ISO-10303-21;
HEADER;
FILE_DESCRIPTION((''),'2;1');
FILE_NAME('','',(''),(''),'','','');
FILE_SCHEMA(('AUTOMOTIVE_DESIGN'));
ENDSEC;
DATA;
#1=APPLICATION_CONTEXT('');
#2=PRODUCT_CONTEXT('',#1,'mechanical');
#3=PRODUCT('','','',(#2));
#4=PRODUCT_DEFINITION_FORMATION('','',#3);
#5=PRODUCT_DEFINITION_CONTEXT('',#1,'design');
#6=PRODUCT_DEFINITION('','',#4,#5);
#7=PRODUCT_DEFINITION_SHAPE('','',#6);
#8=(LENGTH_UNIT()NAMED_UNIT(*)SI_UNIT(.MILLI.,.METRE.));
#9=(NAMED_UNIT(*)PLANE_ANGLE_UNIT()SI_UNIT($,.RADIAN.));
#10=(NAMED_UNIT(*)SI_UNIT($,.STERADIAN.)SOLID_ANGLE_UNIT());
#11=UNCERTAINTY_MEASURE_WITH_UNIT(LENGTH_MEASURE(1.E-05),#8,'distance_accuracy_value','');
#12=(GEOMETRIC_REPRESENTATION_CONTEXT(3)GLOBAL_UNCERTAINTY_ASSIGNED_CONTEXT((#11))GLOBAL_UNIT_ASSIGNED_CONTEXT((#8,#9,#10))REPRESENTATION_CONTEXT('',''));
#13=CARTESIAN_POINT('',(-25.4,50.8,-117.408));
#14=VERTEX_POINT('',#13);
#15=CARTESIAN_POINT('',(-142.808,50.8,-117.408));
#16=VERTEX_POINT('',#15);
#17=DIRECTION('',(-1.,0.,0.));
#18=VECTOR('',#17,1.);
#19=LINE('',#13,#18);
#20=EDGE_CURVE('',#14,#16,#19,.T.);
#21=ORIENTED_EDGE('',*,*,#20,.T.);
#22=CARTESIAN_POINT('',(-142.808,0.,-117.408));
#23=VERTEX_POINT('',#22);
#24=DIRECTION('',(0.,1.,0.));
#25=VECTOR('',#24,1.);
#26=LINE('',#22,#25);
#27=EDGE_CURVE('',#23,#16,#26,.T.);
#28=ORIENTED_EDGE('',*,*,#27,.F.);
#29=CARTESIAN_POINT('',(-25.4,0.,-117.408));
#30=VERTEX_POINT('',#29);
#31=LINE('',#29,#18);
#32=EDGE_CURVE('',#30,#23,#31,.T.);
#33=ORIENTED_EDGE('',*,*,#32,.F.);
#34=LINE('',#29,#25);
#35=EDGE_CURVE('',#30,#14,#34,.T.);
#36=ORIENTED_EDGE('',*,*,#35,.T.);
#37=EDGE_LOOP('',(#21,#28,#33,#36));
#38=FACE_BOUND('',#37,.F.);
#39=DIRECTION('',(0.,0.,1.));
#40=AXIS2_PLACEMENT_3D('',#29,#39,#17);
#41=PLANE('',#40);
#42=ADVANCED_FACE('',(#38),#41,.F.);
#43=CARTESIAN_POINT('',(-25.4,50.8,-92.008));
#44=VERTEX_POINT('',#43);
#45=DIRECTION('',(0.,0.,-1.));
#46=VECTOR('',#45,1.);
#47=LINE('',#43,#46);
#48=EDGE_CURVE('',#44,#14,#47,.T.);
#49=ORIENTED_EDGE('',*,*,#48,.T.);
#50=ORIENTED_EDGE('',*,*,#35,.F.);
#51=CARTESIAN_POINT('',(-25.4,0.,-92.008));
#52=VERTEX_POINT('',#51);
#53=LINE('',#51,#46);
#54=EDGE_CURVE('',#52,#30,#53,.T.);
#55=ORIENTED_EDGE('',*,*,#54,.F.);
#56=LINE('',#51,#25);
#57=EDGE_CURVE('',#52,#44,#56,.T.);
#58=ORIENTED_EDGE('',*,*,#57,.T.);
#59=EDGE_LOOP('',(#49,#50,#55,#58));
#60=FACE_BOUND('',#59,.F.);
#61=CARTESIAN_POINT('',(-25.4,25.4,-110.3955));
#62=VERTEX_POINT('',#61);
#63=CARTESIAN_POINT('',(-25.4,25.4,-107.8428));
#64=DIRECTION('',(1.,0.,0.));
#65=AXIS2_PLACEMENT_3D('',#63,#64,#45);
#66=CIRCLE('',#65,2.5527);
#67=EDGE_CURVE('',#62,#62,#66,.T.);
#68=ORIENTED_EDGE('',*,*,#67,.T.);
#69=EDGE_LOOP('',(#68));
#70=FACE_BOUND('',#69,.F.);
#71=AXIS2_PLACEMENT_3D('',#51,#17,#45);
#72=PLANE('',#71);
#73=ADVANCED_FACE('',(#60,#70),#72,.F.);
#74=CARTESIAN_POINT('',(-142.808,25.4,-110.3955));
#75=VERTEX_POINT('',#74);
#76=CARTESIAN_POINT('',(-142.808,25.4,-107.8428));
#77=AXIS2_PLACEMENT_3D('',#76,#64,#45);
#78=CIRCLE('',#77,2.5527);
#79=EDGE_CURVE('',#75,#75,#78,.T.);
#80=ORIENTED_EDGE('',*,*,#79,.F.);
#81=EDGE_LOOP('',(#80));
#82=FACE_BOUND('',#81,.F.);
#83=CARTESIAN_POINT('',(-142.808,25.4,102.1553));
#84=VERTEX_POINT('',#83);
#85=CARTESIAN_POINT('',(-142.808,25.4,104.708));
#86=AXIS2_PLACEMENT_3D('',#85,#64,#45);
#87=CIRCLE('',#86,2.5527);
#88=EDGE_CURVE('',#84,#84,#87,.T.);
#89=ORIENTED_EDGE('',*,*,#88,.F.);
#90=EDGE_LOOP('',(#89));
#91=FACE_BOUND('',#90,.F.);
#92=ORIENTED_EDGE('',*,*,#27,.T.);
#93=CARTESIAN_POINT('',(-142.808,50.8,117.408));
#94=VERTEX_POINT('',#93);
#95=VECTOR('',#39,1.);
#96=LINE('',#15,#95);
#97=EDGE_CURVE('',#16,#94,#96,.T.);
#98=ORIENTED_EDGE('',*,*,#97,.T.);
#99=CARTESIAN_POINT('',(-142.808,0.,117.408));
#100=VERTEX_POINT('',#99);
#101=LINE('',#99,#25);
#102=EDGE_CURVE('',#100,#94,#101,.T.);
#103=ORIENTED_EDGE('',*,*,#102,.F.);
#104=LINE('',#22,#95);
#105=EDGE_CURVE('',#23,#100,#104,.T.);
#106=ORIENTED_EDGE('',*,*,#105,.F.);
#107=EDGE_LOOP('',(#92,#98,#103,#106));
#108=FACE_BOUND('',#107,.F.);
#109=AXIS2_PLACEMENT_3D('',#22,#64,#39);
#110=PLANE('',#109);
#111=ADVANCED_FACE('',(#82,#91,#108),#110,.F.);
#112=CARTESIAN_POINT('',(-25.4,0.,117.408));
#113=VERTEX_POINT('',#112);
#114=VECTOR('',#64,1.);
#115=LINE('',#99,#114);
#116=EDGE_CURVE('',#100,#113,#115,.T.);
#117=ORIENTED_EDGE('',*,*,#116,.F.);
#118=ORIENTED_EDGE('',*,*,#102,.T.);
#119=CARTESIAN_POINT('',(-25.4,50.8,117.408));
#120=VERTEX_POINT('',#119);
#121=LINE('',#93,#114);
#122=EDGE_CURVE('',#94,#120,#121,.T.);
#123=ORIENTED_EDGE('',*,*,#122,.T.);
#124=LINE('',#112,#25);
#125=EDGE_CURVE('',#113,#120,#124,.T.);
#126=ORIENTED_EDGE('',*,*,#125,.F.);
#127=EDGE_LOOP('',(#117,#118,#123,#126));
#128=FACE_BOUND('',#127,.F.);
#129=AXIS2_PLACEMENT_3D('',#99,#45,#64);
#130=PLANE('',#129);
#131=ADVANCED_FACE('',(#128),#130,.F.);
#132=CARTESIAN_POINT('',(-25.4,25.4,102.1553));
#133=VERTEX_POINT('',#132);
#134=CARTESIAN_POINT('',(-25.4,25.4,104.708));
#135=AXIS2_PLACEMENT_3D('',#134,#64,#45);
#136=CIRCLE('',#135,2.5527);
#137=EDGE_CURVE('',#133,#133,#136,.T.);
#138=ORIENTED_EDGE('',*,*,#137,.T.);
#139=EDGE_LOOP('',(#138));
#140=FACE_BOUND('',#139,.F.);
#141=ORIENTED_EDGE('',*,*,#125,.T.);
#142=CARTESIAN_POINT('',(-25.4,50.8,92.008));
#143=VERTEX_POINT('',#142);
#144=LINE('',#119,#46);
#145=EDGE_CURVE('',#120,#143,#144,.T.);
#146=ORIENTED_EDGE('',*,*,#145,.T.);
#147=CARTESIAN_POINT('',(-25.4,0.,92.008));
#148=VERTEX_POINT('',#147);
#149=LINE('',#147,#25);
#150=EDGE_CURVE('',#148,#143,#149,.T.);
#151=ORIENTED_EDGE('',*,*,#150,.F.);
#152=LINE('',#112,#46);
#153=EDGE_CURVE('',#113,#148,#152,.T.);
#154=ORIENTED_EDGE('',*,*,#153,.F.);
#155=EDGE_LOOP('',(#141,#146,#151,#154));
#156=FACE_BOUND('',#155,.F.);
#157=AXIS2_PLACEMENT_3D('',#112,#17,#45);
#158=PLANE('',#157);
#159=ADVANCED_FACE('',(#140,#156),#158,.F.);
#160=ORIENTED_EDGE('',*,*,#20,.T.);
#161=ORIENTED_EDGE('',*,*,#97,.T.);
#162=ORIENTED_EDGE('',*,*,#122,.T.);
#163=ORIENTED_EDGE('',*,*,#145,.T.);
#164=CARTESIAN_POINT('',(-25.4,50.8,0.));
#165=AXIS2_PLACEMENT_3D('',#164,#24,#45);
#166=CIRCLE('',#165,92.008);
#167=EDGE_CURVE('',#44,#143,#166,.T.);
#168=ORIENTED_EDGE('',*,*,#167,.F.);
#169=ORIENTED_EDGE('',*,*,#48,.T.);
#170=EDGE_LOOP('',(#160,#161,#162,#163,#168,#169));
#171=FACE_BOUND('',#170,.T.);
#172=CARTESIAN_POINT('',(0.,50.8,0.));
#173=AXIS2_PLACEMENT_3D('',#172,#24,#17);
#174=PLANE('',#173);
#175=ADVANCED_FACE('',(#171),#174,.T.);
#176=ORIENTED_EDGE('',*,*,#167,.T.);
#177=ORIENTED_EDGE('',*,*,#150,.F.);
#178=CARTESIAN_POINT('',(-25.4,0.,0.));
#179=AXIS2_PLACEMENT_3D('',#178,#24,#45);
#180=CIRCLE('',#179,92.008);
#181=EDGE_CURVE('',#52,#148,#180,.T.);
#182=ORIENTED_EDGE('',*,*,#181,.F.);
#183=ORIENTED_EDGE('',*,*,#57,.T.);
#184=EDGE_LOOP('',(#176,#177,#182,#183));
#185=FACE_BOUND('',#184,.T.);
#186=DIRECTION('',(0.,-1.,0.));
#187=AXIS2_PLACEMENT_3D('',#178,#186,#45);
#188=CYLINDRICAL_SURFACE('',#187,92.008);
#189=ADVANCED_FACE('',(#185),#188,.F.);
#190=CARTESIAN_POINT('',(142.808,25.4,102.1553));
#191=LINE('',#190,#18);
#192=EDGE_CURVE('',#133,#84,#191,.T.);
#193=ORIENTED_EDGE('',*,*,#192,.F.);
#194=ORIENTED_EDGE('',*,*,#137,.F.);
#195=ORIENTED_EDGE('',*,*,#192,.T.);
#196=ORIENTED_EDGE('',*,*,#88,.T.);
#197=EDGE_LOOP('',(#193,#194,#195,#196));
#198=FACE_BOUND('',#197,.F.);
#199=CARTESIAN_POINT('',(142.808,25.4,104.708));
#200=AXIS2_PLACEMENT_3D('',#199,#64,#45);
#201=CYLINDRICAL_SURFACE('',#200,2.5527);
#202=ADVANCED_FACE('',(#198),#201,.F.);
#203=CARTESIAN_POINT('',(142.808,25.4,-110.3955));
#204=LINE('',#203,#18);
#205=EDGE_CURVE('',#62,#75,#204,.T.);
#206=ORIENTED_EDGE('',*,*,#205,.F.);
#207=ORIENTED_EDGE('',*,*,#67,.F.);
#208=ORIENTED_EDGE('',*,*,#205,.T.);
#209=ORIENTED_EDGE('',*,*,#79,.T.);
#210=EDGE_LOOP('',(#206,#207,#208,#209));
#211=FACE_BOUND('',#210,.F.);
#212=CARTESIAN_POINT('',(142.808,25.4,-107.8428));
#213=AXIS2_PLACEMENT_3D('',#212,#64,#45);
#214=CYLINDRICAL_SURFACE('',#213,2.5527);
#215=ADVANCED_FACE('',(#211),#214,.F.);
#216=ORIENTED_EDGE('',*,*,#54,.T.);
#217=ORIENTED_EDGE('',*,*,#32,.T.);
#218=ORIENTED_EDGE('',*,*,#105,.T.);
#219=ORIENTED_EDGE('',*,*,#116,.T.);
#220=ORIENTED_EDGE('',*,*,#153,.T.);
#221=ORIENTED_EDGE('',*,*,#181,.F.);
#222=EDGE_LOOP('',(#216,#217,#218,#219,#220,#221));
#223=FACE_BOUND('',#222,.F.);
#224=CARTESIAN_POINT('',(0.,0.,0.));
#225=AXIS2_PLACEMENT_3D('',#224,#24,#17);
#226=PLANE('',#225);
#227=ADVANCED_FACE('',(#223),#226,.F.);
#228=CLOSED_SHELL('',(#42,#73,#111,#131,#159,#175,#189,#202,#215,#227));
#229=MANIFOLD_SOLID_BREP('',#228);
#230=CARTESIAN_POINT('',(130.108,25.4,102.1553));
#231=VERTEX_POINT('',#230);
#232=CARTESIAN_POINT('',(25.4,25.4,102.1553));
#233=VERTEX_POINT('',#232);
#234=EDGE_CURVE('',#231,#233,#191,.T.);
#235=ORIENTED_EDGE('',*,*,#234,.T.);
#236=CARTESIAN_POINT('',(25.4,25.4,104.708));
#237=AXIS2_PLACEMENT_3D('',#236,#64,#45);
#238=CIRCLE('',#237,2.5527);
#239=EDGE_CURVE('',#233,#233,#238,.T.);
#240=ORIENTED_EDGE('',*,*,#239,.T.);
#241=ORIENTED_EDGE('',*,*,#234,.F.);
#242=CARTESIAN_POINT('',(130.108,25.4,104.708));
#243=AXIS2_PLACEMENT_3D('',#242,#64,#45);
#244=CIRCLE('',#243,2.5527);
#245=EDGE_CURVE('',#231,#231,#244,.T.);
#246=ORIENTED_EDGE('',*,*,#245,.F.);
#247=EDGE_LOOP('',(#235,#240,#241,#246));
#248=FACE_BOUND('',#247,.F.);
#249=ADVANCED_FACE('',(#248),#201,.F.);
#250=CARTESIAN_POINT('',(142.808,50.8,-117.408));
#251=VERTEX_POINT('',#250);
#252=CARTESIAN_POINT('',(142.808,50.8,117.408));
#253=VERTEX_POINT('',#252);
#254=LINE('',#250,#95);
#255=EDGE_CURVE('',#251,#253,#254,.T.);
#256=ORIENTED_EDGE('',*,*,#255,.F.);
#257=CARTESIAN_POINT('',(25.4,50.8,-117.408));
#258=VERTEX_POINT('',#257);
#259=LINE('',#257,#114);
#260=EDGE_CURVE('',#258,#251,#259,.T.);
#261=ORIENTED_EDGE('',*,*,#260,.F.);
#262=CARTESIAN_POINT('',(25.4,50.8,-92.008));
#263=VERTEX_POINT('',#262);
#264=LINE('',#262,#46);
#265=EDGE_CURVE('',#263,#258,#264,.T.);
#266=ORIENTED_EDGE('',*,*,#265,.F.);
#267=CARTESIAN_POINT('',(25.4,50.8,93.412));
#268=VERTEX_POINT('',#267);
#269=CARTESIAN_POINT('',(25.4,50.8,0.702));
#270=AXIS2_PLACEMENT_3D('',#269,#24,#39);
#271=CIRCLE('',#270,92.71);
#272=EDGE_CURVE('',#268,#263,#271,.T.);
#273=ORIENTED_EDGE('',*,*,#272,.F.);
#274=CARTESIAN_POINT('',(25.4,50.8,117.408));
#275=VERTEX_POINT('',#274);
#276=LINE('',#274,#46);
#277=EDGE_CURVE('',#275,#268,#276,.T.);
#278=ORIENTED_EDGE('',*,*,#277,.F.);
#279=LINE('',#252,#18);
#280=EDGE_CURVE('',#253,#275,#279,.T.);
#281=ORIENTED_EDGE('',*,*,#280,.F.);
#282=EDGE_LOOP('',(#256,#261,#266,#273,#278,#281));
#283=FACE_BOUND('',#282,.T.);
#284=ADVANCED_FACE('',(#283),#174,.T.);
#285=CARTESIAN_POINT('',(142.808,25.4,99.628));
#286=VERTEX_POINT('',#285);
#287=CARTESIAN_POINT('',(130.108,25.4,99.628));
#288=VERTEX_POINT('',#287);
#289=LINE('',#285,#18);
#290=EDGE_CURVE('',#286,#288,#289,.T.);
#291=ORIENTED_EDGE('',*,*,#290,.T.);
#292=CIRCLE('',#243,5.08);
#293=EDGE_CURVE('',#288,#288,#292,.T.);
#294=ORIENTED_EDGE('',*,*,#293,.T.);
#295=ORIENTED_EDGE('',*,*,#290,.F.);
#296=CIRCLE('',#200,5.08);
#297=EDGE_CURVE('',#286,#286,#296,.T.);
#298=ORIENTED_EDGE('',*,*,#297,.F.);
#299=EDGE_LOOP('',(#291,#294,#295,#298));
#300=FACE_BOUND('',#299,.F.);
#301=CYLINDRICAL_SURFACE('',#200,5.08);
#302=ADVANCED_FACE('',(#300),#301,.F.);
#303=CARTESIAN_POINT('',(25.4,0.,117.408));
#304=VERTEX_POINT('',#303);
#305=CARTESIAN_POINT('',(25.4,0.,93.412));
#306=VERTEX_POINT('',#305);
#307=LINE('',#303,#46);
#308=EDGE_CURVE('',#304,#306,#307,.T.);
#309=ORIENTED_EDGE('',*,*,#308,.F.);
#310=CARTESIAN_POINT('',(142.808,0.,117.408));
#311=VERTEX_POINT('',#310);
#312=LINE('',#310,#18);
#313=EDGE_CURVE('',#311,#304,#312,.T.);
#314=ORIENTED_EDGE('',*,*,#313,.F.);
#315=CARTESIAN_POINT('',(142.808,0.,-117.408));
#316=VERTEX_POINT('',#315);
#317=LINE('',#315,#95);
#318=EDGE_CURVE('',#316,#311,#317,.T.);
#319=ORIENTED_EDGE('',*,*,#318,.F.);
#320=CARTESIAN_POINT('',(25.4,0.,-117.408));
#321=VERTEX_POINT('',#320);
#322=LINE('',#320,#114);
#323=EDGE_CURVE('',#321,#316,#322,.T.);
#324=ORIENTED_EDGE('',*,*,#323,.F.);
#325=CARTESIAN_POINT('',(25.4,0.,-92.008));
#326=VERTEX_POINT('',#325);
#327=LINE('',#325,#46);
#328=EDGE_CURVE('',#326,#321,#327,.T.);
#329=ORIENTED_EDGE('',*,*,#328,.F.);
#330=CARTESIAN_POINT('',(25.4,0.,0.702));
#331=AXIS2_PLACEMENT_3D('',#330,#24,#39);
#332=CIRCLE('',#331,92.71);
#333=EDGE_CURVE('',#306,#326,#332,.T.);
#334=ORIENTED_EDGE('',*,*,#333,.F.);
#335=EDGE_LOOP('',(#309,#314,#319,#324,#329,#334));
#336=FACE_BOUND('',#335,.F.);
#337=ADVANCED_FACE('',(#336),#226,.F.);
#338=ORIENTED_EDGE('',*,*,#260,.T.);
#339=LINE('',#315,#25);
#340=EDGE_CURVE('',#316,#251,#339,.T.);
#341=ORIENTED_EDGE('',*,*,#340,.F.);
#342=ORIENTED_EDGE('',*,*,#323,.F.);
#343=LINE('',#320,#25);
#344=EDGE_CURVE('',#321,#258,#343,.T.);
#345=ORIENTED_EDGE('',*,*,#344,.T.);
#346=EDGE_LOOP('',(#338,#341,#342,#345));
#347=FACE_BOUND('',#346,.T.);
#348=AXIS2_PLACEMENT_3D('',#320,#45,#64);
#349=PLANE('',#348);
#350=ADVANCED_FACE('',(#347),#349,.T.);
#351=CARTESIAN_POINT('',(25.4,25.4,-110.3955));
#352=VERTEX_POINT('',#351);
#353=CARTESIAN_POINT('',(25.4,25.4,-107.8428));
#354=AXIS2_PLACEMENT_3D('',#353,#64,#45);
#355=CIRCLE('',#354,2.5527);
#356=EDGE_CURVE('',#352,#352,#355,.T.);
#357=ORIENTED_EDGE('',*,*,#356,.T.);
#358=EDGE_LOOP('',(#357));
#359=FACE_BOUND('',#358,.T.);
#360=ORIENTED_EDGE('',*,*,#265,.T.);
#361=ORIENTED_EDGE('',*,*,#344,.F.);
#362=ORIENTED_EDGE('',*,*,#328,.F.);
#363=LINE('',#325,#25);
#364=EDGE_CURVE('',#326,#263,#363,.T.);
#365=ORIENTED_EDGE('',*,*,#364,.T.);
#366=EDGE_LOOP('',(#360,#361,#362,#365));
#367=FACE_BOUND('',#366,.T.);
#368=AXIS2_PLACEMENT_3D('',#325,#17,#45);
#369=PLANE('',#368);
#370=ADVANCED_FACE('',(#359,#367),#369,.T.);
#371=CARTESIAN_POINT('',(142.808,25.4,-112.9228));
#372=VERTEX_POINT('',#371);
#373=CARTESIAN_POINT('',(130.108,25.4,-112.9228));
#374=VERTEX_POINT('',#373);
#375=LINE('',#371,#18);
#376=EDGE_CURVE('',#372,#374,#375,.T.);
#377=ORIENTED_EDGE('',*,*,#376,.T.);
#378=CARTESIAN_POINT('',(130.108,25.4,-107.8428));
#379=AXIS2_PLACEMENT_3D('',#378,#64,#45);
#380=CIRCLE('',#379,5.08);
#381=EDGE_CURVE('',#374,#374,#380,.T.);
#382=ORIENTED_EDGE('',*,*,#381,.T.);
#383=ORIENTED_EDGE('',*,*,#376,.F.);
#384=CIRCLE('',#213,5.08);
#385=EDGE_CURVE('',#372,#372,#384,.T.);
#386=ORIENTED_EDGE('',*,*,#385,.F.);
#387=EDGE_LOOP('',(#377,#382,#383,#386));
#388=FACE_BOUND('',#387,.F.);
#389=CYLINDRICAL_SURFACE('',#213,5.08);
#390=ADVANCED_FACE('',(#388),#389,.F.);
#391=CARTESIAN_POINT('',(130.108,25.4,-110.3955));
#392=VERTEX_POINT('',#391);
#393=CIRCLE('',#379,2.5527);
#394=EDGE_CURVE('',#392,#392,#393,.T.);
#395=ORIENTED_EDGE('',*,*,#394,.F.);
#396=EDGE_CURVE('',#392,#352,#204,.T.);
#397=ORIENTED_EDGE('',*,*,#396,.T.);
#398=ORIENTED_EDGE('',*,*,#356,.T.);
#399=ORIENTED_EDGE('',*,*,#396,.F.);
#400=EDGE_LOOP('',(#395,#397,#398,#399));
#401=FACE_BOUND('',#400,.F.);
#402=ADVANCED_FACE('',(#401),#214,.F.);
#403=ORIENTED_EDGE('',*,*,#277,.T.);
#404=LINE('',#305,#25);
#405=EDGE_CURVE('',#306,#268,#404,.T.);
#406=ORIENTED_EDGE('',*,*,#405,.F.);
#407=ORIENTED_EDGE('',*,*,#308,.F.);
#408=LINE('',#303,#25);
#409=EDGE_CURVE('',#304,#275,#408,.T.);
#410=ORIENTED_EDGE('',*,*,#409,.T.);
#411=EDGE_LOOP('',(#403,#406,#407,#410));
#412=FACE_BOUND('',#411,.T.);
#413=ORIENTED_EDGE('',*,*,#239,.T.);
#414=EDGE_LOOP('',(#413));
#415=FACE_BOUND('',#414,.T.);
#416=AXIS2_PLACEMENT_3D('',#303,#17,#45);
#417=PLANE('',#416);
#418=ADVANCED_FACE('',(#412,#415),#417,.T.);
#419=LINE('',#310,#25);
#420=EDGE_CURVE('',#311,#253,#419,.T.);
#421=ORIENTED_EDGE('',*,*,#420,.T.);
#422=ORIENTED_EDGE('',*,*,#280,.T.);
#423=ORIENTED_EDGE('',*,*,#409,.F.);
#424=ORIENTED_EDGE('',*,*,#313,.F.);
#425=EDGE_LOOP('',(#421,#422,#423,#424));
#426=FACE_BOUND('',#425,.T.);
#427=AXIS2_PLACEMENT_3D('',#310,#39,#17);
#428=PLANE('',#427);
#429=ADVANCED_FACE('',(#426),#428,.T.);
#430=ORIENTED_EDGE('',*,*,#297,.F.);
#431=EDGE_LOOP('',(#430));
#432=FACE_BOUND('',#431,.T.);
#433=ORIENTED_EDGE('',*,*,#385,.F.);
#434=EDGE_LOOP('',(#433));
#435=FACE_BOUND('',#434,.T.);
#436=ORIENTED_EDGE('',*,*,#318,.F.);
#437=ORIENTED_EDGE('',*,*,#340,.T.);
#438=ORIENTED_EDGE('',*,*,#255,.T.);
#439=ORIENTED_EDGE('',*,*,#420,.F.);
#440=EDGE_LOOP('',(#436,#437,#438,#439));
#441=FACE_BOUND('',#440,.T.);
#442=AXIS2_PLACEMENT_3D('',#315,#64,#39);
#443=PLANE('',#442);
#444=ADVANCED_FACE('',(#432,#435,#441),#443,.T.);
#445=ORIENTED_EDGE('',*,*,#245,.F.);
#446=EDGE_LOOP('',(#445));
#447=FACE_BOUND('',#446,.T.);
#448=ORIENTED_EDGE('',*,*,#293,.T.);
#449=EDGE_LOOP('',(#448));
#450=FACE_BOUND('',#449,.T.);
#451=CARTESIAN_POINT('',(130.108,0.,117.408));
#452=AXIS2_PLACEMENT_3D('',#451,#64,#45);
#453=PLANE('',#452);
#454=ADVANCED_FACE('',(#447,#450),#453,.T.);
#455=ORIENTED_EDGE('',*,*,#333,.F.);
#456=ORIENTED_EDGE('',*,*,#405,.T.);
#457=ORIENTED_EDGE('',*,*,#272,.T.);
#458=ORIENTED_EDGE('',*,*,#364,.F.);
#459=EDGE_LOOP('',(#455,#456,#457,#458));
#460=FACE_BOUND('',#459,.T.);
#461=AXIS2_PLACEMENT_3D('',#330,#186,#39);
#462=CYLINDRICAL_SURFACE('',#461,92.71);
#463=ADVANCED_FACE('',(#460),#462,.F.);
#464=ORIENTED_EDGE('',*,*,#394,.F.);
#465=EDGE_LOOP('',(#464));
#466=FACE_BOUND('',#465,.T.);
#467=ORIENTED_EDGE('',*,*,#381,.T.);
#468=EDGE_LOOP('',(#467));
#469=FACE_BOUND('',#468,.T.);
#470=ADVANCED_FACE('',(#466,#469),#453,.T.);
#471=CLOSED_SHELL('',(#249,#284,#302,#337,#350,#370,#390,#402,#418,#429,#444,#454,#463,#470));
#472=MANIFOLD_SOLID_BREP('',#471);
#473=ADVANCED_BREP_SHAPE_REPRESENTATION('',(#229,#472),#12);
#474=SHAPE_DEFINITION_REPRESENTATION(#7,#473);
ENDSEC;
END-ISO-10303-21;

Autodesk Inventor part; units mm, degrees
ref_plane "YZ Plane" through (0, 0, 0) normal (1, 0, 0) x (0, 1, 0)
ref_plane "XZ Plane" through (0, 0, 0) normal (0, 1, 0) x (-1, 0, 0)
ref_plane "XY Plane" through (0, 0, 0) normal (0, 0, 1) x (1, 0, 0)
sketch "Sketch1" plane through (0, 0, 0) normal (0, 1, 0) x (-1, 0, 0)
  line L0 (25.4, -117.408) -> (142.808, -117.408)
  line L1 (142.808, -117.408) -> (142.808, 117.408)
  line L2 (142.808, 117.408) -> (25.4, 117.408)
  line L3 (25.4, 117.408) -> (25.4, 92.008)
  line L4 (25.4, -92.008) -> (25.4, -117.408)
  line L5 (25.4, 117.408) -> (25.4, 92.008)
  line L6 (25.4, -92.008) -> (25.4, -117.408)
  arc A0 (25.4, -92.008) -> (25.4, 92.008) centre (25.4, 0) ccw
  line L7 (-25.4, -117.408) -> (-142.808, -117.408)
  line L8 (-142.808, -117.408) -> (-142.808, 117.408)
  line L9 (-142.808, 117.408) -> (-25.4, 117.408)
  line L10 (-25.4, 117.408) -> (-25.4, 93.412)
  line L11 (-25.4, -92.008) -> (-25.4, -117.408)
  line L12 (-25.4, 117.408) -> (-25.4, 93.412)
  line L13 (-25.4, -92.008) -> (-25.4, -117.408)
  arc A1 (-25.4, 93.412) -> (-25.4, -92.008) centre (-25.4, 0.702) ccw
  point P0 (0, 0)
  dimension "d6" = 25.4
  dimension "d17" = 92.71
extrude "Extrusion1" add sketch "Sketch1" along normal blind 50.8
sketch "Sketch2" plane through (142.808, 0, 117.408) normal (1, 0, 0) x (0, 0, -1)
  circle A0 centre (12.7, 25.4) radius 5.08
  circle A1 centre (225.2508, 25.4) radius 5.08
  circle A2 centre (12.7, 25.4) radius 2.5527
  circle A3 centre (225.2508, 25.4) radius 2.5527
  line L0 (0, 50.8) -> (234.816, 50.8) projected
  line L1 (0, 0) -> (0, 50.8) projected
  point P0 (117.408, 0)
  dimension "d9" = 10.16
  dimension "d10" = 10.16
  dimension "d11" = 5.1054
  dimension "d12" = 5.1054
  dimension "d18" = 25.4
  dimension "d19" = 25.4
  dimension "d21" = 12.7
extrude "Extrusion2" cut sketch "Sketch2" against normal through all contours A2 | A3
extrude "Extrusion3" cut sketch "Sketch2" against normal blind 12.7
properties part number "Scuba Tank Holder"
